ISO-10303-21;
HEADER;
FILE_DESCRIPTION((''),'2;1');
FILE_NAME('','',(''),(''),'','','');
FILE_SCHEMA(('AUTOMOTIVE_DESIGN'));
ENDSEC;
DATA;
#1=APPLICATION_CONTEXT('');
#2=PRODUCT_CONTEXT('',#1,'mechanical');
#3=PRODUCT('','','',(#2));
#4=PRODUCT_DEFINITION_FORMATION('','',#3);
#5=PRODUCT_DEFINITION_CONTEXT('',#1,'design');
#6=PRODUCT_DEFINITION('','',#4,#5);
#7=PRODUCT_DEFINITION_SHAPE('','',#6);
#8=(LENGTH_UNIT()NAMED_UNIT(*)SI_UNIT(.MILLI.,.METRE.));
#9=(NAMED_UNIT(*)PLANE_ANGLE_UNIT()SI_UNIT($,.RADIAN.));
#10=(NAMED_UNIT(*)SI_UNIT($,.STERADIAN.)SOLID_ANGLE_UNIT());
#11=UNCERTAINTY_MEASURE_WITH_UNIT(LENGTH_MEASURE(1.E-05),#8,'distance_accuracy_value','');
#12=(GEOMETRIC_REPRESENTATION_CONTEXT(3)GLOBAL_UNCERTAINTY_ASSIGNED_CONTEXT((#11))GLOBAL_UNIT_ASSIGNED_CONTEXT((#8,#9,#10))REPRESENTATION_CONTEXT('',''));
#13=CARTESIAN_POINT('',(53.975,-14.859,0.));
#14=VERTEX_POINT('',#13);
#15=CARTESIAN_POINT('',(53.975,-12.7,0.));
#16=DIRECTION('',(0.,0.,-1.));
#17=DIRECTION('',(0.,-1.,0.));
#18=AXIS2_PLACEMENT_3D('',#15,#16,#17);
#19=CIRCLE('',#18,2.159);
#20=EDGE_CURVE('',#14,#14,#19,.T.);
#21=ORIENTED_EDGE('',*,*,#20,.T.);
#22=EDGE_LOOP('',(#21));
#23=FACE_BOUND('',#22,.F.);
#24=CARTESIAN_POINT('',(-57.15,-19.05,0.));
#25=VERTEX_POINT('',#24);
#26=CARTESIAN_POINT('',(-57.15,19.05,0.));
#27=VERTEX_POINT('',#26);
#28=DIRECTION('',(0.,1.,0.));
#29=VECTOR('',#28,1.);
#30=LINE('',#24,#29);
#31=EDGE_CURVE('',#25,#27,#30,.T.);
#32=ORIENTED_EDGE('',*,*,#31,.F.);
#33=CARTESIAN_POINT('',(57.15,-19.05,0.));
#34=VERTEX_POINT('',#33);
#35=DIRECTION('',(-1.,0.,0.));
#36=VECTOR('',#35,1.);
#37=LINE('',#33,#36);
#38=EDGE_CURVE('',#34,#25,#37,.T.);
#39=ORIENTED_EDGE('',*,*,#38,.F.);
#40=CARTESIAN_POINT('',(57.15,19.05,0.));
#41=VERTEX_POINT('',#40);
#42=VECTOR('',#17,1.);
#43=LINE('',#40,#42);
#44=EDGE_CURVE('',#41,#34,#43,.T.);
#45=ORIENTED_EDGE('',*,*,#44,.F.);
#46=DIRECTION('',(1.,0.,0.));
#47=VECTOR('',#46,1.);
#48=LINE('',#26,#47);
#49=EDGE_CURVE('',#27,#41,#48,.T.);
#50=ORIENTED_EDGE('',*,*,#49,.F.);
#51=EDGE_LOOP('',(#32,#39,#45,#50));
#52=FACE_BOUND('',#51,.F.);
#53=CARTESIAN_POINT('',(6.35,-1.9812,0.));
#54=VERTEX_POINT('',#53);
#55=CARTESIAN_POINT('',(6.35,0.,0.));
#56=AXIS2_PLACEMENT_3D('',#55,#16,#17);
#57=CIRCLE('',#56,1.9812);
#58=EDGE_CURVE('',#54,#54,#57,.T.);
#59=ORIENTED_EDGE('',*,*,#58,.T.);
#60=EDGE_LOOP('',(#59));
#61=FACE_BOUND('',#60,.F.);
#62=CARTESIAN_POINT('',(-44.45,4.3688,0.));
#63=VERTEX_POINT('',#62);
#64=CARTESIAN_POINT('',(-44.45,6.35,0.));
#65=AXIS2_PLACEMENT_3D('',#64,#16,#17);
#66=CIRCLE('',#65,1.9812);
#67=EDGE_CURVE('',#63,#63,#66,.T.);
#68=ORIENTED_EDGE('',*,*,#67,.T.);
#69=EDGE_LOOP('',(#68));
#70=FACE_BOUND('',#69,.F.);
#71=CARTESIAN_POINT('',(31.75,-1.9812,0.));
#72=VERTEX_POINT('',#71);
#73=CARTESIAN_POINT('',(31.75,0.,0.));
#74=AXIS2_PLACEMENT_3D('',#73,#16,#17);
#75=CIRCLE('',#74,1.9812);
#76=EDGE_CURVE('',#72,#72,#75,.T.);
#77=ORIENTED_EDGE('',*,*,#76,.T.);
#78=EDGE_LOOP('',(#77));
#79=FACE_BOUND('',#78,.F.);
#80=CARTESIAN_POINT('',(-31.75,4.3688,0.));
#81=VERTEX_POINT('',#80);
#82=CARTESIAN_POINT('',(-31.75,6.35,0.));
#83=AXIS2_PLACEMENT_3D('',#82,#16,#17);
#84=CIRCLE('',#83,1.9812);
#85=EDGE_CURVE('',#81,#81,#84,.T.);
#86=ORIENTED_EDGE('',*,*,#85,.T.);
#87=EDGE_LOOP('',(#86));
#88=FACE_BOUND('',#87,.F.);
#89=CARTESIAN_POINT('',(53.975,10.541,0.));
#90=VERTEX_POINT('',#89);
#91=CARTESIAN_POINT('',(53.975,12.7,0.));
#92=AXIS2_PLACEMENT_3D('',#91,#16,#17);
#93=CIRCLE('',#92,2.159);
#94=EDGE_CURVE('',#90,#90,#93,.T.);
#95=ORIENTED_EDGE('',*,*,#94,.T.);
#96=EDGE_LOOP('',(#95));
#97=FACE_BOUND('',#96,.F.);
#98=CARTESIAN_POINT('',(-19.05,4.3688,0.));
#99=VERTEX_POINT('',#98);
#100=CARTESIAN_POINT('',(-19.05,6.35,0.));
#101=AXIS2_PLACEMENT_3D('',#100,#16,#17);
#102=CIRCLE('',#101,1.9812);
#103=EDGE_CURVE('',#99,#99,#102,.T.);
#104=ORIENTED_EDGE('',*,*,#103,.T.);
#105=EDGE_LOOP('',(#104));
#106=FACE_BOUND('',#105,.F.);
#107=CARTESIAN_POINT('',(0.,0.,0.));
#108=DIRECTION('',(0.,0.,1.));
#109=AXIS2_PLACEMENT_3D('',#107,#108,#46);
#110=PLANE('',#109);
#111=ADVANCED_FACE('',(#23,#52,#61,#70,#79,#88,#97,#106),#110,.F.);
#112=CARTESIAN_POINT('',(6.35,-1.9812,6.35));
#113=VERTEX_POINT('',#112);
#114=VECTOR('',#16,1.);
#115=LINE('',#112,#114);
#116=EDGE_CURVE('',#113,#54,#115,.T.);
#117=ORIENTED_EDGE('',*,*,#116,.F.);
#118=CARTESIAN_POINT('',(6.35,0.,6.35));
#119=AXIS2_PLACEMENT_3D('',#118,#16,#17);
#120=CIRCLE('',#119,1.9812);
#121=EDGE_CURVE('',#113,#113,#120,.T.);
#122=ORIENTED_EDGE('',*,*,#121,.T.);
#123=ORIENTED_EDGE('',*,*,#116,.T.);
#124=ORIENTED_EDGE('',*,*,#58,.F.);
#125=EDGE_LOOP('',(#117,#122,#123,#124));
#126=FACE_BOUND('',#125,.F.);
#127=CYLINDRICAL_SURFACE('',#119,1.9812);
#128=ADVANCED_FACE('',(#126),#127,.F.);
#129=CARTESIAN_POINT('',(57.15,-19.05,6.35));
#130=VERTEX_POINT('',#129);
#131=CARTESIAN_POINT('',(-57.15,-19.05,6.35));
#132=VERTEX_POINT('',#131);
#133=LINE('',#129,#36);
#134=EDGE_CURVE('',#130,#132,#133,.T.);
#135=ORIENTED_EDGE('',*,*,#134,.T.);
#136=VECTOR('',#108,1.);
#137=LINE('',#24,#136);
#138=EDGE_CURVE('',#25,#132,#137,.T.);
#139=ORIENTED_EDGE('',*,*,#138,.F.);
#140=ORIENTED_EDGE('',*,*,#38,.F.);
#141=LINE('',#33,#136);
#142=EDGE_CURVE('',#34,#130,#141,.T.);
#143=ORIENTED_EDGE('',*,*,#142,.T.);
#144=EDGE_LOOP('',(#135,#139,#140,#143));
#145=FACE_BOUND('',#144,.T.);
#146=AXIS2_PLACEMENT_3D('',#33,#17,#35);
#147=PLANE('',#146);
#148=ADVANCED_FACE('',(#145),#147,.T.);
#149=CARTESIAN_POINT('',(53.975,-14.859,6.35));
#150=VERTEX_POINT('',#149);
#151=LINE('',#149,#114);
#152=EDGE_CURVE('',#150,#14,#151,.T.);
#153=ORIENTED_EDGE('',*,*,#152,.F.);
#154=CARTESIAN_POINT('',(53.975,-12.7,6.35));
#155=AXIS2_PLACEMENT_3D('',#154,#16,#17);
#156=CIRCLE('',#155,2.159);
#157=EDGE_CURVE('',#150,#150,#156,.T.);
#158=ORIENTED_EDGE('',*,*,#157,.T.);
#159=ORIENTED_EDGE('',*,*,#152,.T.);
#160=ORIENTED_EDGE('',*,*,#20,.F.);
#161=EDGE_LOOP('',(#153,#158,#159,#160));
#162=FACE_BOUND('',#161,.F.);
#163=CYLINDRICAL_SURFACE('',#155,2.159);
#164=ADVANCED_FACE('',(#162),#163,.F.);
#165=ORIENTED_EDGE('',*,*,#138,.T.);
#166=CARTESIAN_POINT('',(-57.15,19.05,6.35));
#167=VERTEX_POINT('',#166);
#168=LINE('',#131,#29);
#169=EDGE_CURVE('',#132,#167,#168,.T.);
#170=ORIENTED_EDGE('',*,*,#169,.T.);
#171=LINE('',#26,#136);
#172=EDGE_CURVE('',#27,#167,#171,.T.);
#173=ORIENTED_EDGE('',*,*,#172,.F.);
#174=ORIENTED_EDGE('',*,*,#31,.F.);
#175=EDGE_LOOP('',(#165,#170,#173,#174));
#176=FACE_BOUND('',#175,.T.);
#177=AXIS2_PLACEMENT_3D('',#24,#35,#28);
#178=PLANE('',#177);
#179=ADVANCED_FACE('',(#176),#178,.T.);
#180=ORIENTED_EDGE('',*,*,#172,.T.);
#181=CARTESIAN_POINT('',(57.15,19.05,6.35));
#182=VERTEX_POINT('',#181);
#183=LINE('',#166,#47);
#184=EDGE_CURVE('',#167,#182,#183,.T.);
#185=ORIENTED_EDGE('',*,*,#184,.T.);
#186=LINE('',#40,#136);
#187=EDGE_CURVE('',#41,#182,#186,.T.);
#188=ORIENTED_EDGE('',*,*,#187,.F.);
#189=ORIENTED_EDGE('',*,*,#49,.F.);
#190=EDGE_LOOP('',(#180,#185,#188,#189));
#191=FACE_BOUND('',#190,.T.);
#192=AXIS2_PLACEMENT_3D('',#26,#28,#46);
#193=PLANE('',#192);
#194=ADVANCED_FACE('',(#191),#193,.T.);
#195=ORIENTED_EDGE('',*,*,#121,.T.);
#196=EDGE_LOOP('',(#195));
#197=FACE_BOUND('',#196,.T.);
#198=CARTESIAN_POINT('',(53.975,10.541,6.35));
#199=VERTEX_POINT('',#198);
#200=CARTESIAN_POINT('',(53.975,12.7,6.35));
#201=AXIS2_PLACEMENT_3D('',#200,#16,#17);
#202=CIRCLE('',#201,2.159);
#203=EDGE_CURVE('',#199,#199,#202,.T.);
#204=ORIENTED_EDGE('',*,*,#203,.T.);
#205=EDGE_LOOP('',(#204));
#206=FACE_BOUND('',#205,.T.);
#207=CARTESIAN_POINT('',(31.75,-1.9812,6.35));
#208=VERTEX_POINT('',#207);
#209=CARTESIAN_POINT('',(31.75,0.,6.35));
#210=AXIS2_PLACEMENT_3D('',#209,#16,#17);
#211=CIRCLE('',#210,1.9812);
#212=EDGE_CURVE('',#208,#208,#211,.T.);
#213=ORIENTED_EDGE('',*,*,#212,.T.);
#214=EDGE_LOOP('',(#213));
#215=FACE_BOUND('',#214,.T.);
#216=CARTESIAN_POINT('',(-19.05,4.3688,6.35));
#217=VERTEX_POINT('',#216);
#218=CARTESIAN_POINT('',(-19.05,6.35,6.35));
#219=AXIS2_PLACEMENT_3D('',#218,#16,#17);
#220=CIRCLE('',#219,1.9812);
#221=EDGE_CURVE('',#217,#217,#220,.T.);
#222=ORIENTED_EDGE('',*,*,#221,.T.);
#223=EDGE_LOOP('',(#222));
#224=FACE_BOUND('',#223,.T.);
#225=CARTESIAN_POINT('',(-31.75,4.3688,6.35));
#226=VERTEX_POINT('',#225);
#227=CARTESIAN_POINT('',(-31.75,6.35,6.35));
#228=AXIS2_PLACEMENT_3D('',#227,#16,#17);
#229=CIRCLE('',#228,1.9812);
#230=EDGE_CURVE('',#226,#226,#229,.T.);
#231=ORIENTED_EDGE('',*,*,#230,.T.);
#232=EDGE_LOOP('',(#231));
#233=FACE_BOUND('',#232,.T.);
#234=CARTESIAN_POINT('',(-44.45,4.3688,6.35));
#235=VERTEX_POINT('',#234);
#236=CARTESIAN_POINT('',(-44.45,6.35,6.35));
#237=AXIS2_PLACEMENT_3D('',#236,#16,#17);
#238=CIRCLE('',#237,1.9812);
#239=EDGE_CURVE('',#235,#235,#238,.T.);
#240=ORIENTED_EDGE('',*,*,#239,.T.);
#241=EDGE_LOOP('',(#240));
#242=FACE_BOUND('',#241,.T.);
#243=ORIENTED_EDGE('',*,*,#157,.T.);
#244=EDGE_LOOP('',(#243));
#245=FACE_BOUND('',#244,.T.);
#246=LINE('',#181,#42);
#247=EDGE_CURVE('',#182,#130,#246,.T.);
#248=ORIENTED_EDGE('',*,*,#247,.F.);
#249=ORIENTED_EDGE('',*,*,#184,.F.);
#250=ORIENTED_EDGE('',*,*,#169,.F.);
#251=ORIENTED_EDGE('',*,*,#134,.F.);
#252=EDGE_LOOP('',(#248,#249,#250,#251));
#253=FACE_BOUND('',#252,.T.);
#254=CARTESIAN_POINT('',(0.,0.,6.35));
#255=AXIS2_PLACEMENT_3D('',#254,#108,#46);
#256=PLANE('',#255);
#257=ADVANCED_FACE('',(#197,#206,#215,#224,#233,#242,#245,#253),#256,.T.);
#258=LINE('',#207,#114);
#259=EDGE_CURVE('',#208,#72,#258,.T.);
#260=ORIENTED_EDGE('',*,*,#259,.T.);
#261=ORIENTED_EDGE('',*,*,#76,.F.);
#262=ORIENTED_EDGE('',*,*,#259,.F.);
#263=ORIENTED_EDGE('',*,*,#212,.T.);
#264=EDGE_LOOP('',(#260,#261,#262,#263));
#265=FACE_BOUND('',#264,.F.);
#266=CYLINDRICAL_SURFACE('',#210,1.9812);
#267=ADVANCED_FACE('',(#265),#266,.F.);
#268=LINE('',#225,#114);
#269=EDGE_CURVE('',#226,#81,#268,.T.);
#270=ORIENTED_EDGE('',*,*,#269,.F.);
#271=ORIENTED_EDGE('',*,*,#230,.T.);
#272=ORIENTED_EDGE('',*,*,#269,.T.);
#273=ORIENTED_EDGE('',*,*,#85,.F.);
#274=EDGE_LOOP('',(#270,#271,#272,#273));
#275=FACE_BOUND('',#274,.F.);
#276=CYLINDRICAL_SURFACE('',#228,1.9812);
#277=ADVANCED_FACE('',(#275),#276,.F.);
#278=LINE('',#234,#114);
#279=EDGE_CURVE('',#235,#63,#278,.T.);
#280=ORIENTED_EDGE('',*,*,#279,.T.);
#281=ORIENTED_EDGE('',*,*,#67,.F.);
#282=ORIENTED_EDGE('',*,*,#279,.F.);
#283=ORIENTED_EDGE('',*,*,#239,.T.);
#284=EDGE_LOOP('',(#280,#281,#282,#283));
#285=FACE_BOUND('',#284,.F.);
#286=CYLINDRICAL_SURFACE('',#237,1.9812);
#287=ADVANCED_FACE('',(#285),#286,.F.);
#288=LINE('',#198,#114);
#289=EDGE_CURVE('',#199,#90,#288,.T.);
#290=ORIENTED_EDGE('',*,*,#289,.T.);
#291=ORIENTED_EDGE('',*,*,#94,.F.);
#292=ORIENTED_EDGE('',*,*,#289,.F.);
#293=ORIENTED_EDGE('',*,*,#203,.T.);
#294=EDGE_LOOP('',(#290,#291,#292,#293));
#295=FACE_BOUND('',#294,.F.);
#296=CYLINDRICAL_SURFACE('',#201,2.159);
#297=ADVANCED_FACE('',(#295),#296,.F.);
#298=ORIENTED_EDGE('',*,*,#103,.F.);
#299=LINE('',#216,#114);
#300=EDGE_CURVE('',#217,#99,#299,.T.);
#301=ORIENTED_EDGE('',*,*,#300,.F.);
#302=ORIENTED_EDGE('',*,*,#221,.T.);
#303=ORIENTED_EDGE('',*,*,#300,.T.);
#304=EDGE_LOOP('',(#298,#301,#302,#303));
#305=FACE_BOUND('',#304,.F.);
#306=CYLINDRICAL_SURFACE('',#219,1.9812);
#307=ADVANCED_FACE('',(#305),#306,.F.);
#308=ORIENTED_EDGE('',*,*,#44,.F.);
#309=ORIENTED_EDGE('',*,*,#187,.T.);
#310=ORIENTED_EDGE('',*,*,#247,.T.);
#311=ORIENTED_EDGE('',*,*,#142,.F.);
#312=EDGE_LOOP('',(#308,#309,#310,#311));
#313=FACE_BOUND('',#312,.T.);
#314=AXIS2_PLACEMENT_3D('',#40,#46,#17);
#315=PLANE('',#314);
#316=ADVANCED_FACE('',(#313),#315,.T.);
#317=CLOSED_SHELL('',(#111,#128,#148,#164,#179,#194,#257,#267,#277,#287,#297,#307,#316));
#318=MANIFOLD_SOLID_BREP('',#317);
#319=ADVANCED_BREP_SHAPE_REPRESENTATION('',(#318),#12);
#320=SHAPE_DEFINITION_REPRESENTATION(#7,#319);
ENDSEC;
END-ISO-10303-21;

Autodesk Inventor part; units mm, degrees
ref_plane "YZ Plane" through (0, 0, 0) normal (1, 0, 0) x (0, 1, 0)
ref_plane "XZ Plane" through (0, 0, 0) normal (0, 1, 0) x (-1, 0, 0)
ref_plane "XY Plane" through (0, 0, 0) normal (0, 0, 1) x (1, 0, 0)
sketch "Sketch1" plane through (0, 0, 0) normal (0, 0, 1) x (1, 0, 0)
  line L0 (57.15, -19.05) -> (-57.15, -19.05)
  line L1 (-57.15, -19.05) -> (-57.15, 19.05)
  line L2 (-57.15, 19.05) -> (57.15, 19.05)
  line L3 (57.15, 19.05) -> (57.15, -19.05)
  line L4 (57.15, -19.05) -> (-57.15, 19.05) construction
  line L5 (-57.15, -19.05) -> (57.15, 19.05) construction
  point P0 (0, 0)
  dimension "d0" = 114.3
  dimension "d1" = 38.1
extrude "Extrusion1" add sketch "Sketch1" along normal blind 6.35
sketch "Sketch2" plane through (0, 0, 6.35) normal (0, 0, 1) x (1, 0, 0)
  line L0 (-57.15, 19.05) -> (-57.15, -19.05) projected
  line L1 (57.15, 19.05) -> (-57.15, 19.05) projected
  point P0 (0, 0)
  point P1 (-44.45, 6.35)
  point P2 (-31.75, 6.35)
  point P3 (-19.05, 6.35)
  point P4 (-57.15, 0)
  dimension "d5" = 12.7
  dimension "d6" = 12.7
  dimension "d14" = 12.7
  dimension "d15" = 12.7
hole "Hole1" at (-44.45, 6.35, 6.35) at (-31.75, 6.35, 6.35) at (-19.05, 6.35, 6.35) direction (0, 0, -1) diameter 3.9624 end through all thread size "10-32 UNF" class "2B" standard "ANSI Unified Screw Threads"
sketch "Sketch3" plane through (0, 0, 6.35) normal (0, 0, 1) x (1, 0, 0)
  line L0 (57.15, 19.05) -> (-57.15, 19.05) projected
  line L1 (-57.15, -19.05) -> (57.15, -19.05) projected
  line L2 (57.15, -19.05) -> (57.15, 19.05) projected
  point P0 (0, 0)
  point P1 (53.975, 12.7)
  point P2 (53.975, -12.7)
  dimension "d16" = 6.35
  dimension "d17" = 6.35
  dimension "d18" = 3.175
hole "Hole2" at (53.975, 12.7, 6.35) at (53.975, -12.7, 6.35) direction (0, 0, -1) diameter 4.318 end through all clearance for "Flat Head Machine Screw (82)" size "#8" standard "Ansi Unified Screw Threads"
sketch "Sketch5" plane through (0, 0, 6.35) normal (0, 0, 1) x (1, 0, 0)
  line L0 (57.15, -19.05) -> (57.15, 19.05) construction
  line L1 (6.35, 0) -> (31.75, 0) construction
  point P0 (0, 0)
  point P1 (57.15, 0)
  point P2 (19.05, 0)
  dimension "d28" = 25.4
  dimension "d37" = 38.1
hole "Hole3" at (6.35, 0, 6.35) at (31.75, 0, 6.35) direction (0, 0, -1) diameter 3.9624 end through all thread size "10-32 UNF" class "2B" standard "ANSI Unified Screw Threads"
equation "\"d5\" = d4"
equation "\"d6\" = d4"
equation "\"d4\" = 12.7"
properties part number "EL2-014" material "Aluminum 6061"
